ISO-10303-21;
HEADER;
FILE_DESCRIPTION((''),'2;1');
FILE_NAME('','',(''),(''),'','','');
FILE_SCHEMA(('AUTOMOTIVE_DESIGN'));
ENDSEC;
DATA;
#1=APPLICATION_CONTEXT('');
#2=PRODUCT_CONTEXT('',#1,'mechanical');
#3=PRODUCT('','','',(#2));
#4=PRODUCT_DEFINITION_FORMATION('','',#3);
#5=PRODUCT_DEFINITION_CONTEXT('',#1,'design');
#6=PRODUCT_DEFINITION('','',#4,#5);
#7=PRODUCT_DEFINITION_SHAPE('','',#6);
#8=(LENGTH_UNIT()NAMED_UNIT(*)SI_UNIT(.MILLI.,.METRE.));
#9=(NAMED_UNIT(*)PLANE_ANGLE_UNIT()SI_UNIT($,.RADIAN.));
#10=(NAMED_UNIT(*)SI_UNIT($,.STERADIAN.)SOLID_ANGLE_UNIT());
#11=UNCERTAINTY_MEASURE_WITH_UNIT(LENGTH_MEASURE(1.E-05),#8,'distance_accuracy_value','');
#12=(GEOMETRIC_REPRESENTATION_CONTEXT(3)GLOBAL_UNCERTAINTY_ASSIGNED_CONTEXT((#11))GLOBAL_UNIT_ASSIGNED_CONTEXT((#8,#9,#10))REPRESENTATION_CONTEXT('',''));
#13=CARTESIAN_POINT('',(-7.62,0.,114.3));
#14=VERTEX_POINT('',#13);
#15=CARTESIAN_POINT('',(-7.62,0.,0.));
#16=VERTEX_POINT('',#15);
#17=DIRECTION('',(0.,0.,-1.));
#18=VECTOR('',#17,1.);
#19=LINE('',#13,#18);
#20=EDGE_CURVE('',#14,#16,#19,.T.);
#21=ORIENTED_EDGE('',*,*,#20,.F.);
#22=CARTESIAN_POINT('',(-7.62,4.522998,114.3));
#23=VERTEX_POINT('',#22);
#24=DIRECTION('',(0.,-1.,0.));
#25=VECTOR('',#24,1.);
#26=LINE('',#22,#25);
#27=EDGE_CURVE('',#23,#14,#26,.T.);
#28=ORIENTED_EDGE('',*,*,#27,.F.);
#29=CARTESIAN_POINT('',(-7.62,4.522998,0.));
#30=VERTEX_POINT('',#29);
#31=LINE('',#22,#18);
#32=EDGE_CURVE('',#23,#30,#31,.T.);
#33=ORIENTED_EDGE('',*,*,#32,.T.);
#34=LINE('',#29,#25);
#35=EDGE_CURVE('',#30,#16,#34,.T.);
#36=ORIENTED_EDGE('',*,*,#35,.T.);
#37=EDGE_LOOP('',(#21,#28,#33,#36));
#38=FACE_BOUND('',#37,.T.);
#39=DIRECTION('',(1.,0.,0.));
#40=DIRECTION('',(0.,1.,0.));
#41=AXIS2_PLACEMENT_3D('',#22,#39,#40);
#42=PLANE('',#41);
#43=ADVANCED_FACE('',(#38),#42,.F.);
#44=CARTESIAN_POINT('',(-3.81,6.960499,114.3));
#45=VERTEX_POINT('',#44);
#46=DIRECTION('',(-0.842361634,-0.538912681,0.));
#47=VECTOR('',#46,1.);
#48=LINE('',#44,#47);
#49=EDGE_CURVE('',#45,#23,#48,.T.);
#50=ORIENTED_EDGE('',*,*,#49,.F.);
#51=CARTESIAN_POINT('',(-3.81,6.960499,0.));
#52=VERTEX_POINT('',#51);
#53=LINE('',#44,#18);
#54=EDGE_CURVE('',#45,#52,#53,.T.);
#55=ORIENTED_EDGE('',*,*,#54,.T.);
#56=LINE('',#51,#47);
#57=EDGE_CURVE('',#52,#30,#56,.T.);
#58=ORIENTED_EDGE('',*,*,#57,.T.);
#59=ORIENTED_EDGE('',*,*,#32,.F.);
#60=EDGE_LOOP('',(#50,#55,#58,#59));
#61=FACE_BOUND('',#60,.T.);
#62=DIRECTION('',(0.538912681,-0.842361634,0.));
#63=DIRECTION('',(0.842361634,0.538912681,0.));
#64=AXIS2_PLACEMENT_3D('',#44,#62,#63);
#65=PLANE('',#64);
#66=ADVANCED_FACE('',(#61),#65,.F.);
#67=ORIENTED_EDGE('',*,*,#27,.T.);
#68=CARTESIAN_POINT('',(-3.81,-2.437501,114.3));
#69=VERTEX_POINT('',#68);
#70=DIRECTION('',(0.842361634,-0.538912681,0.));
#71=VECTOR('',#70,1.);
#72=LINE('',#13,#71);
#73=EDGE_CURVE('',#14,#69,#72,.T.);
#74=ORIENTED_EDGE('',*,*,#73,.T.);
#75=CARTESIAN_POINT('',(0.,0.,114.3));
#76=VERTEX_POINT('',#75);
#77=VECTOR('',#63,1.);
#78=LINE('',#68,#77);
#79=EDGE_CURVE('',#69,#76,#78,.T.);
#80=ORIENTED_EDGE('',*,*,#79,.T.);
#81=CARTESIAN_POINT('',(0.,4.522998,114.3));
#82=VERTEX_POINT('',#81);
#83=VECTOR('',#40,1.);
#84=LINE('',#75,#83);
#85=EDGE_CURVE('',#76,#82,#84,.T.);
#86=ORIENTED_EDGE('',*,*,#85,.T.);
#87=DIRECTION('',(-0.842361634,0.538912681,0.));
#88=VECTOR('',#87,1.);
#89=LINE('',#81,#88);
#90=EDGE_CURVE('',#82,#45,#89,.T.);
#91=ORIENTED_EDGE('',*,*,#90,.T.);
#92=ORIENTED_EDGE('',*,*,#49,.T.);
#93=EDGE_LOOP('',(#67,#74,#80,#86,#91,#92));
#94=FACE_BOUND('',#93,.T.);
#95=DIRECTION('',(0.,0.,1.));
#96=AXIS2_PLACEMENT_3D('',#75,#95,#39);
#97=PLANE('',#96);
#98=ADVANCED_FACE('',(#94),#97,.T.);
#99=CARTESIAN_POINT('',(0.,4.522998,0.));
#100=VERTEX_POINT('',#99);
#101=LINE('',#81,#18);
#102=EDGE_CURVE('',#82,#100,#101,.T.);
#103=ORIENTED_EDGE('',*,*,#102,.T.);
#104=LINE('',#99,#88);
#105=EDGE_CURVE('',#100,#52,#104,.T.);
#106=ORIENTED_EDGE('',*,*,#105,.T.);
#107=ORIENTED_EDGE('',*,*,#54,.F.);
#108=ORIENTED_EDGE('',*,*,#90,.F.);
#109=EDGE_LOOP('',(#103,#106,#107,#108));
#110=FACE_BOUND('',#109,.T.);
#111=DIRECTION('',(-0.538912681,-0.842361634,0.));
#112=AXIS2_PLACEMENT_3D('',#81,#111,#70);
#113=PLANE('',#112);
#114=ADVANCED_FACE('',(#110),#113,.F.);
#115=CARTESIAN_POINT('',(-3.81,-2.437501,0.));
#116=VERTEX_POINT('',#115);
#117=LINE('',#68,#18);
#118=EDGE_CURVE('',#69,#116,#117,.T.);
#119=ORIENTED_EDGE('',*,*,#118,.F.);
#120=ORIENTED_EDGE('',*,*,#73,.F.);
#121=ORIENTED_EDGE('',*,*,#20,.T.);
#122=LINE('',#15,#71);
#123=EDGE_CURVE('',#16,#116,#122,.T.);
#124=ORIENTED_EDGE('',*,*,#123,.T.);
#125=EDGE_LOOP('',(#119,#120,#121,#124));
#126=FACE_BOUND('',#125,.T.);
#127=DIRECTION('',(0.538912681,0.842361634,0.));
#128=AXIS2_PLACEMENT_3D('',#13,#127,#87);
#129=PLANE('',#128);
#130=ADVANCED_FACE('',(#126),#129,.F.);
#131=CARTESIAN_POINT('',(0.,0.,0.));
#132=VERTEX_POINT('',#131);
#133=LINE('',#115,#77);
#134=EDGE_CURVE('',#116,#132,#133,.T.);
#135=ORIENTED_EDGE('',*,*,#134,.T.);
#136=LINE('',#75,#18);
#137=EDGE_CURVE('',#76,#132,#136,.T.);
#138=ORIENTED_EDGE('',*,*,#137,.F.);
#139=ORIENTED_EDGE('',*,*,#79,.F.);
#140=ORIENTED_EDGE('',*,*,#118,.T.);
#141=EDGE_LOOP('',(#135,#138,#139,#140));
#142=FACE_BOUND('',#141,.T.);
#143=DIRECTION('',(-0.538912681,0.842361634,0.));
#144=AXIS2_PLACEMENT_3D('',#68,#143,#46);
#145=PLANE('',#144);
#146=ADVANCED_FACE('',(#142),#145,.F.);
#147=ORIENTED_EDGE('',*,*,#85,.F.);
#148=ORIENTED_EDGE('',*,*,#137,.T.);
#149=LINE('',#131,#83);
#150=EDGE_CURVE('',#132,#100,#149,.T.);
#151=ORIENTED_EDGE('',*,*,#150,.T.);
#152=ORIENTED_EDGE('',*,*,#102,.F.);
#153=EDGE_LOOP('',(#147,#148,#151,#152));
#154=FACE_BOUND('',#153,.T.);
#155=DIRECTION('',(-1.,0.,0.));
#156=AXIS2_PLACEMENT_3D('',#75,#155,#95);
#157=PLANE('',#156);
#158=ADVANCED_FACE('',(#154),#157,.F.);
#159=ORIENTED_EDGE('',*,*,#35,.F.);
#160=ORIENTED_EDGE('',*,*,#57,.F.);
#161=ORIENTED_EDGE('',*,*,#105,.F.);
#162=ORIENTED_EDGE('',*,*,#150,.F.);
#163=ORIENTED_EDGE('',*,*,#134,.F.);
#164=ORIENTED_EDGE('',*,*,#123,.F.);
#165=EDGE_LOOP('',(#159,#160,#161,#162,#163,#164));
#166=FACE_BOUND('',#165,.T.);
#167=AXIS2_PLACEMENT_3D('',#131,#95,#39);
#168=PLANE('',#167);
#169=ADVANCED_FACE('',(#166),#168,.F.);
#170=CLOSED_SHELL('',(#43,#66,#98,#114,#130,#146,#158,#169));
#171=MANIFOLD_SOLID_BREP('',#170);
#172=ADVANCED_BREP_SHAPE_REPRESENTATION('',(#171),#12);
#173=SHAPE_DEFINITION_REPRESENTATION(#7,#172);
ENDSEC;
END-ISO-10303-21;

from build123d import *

# Parameters (mm, degrees)
BOSS_EXTRUDE1_DEPTH = 114.3


with BuildPart() as part:
    # Sketch1 → Boss-Extrude1 (new body)
    with BuildSketch(Plane(origin=(0, 0, 0), x_dir=(0, 1, 0), z_dir=(0, 0, 1))):
        Polygon((0, 0), (4.522998019, 0), (6.960499009, 3.81), (4.522998019, 7.62), (0, 7.62), (-2.437500991, 3.81), align=None)
    extrude(amount=BOSS_EXTRUDE1_DEPTH)


solid = part.part
